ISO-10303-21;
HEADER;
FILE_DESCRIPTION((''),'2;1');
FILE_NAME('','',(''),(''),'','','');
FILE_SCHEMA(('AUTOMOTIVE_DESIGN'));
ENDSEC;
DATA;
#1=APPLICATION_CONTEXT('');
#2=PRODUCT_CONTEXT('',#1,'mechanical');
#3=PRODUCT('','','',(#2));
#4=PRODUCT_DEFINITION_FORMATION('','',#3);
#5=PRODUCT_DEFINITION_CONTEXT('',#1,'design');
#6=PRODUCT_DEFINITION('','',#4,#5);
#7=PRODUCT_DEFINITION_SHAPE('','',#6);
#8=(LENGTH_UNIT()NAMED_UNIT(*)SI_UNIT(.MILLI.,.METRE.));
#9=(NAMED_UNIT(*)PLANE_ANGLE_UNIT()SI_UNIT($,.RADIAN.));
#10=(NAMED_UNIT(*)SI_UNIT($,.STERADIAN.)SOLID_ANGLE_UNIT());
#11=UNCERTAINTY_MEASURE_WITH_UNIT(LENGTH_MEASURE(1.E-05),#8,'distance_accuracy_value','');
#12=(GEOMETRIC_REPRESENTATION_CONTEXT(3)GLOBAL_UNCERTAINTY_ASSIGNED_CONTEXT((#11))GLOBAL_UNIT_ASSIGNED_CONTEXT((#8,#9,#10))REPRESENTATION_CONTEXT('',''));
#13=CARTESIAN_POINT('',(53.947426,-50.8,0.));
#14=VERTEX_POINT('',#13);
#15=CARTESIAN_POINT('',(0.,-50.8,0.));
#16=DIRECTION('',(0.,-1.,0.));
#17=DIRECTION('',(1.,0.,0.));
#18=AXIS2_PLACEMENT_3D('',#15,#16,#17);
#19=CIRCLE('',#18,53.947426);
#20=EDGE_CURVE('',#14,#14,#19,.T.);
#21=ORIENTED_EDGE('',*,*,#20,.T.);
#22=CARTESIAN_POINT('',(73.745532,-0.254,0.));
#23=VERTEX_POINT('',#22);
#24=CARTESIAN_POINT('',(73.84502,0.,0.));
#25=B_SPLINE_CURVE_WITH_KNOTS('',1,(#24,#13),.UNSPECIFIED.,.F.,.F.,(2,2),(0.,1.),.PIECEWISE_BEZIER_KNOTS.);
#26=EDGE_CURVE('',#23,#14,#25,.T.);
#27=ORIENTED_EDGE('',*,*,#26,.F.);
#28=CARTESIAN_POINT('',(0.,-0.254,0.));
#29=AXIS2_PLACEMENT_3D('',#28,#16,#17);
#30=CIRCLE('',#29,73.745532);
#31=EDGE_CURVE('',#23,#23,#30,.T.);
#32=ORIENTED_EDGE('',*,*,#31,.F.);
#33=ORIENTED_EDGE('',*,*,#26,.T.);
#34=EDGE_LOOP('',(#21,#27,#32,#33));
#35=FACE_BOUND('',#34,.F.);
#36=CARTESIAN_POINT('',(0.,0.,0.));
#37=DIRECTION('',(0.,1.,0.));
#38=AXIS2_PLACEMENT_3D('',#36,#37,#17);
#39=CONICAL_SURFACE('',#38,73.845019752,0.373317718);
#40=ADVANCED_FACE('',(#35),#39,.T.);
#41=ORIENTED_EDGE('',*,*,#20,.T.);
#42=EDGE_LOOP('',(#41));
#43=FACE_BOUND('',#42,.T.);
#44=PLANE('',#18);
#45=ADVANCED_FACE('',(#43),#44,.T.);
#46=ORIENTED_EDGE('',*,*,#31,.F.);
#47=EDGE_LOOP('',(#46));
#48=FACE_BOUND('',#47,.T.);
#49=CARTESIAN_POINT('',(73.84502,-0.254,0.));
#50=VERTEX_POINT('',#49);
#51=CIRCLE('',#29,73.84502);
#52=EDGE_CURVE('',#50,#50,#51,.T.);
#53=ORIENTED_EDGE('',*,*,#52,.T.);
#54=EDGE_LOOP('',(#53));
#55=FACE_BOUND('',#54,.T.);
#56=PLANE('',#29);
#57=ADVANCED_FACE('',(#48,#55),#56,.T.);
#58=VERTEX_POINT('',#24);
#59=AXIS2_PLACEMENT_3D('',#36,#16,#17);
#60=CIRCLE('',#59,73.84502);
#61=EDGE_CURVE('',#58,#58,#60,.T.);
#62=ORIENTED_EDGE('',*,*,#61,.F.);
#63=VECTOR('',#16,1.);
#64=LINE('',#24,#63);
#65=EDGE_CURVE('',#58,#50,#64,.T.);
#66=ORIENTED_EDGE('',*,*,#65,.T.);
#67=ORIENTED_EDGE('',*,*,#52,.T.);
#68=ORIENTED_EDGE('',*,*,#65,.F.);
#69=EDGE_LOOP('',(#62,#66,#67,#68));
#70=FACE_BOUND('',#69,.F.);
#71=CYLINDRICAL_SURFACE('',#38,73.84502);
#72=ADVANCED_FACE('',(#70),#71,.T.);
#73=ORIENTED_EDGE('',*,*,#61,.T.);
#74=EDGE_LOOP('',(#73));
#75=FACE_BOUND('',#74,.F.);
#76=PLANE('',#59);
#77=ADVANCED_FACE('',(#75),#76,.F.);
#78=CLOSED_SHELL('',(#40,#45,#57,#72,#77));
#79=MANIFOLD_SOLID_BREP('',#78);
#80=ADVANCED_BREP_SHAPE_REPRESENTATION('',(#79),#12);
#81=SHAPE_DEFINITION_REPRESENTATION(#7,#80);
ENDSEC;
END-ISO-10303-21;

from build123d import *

# Parameters (mm, degrees)
F0_R       = 73.8450197524
F1_DEPTH   = 50.8
F2_R       = 73.8450197524
F2_R_2     = 53.9474257016
F3_DEPTH   = 50.546
F1_FACE1_R = 73.8450197524
F1_FACE_R  = 53.9474257016


with BuildPart() as f1:
    # F0 (on Front) → F1 (new body)
    with BuildSketch(Plane.XZ):
        Circle(F0_R)
    extrude(amount=F1_DEPTH)

    # F2 (on face) → F3 (cut)
    with BuildSketch(Plane.XZ.offset(50.8)):
        Circle(F2_R)
        Circle(F2_R_2, mode=Mode.SUBTRACT)
    extrude(amount=-F3_DEPTH, mode=Mode.SUBTRACT)

    # F1_face1 (on face) → F4 section 0
    with BuildSketch(Plane(origin=(0, 0, 0), x_dir=(1, 0, 0), z_dir=(0, 1, 0))):
        Circle(F1_FACE1_R)
    # F1_face (on face) → F4 section 1
    with BuildSketch(Plane.XZ.offset(50.8)):
        Circle(F1_FACE_R)
    loft()


solid = f1.part
